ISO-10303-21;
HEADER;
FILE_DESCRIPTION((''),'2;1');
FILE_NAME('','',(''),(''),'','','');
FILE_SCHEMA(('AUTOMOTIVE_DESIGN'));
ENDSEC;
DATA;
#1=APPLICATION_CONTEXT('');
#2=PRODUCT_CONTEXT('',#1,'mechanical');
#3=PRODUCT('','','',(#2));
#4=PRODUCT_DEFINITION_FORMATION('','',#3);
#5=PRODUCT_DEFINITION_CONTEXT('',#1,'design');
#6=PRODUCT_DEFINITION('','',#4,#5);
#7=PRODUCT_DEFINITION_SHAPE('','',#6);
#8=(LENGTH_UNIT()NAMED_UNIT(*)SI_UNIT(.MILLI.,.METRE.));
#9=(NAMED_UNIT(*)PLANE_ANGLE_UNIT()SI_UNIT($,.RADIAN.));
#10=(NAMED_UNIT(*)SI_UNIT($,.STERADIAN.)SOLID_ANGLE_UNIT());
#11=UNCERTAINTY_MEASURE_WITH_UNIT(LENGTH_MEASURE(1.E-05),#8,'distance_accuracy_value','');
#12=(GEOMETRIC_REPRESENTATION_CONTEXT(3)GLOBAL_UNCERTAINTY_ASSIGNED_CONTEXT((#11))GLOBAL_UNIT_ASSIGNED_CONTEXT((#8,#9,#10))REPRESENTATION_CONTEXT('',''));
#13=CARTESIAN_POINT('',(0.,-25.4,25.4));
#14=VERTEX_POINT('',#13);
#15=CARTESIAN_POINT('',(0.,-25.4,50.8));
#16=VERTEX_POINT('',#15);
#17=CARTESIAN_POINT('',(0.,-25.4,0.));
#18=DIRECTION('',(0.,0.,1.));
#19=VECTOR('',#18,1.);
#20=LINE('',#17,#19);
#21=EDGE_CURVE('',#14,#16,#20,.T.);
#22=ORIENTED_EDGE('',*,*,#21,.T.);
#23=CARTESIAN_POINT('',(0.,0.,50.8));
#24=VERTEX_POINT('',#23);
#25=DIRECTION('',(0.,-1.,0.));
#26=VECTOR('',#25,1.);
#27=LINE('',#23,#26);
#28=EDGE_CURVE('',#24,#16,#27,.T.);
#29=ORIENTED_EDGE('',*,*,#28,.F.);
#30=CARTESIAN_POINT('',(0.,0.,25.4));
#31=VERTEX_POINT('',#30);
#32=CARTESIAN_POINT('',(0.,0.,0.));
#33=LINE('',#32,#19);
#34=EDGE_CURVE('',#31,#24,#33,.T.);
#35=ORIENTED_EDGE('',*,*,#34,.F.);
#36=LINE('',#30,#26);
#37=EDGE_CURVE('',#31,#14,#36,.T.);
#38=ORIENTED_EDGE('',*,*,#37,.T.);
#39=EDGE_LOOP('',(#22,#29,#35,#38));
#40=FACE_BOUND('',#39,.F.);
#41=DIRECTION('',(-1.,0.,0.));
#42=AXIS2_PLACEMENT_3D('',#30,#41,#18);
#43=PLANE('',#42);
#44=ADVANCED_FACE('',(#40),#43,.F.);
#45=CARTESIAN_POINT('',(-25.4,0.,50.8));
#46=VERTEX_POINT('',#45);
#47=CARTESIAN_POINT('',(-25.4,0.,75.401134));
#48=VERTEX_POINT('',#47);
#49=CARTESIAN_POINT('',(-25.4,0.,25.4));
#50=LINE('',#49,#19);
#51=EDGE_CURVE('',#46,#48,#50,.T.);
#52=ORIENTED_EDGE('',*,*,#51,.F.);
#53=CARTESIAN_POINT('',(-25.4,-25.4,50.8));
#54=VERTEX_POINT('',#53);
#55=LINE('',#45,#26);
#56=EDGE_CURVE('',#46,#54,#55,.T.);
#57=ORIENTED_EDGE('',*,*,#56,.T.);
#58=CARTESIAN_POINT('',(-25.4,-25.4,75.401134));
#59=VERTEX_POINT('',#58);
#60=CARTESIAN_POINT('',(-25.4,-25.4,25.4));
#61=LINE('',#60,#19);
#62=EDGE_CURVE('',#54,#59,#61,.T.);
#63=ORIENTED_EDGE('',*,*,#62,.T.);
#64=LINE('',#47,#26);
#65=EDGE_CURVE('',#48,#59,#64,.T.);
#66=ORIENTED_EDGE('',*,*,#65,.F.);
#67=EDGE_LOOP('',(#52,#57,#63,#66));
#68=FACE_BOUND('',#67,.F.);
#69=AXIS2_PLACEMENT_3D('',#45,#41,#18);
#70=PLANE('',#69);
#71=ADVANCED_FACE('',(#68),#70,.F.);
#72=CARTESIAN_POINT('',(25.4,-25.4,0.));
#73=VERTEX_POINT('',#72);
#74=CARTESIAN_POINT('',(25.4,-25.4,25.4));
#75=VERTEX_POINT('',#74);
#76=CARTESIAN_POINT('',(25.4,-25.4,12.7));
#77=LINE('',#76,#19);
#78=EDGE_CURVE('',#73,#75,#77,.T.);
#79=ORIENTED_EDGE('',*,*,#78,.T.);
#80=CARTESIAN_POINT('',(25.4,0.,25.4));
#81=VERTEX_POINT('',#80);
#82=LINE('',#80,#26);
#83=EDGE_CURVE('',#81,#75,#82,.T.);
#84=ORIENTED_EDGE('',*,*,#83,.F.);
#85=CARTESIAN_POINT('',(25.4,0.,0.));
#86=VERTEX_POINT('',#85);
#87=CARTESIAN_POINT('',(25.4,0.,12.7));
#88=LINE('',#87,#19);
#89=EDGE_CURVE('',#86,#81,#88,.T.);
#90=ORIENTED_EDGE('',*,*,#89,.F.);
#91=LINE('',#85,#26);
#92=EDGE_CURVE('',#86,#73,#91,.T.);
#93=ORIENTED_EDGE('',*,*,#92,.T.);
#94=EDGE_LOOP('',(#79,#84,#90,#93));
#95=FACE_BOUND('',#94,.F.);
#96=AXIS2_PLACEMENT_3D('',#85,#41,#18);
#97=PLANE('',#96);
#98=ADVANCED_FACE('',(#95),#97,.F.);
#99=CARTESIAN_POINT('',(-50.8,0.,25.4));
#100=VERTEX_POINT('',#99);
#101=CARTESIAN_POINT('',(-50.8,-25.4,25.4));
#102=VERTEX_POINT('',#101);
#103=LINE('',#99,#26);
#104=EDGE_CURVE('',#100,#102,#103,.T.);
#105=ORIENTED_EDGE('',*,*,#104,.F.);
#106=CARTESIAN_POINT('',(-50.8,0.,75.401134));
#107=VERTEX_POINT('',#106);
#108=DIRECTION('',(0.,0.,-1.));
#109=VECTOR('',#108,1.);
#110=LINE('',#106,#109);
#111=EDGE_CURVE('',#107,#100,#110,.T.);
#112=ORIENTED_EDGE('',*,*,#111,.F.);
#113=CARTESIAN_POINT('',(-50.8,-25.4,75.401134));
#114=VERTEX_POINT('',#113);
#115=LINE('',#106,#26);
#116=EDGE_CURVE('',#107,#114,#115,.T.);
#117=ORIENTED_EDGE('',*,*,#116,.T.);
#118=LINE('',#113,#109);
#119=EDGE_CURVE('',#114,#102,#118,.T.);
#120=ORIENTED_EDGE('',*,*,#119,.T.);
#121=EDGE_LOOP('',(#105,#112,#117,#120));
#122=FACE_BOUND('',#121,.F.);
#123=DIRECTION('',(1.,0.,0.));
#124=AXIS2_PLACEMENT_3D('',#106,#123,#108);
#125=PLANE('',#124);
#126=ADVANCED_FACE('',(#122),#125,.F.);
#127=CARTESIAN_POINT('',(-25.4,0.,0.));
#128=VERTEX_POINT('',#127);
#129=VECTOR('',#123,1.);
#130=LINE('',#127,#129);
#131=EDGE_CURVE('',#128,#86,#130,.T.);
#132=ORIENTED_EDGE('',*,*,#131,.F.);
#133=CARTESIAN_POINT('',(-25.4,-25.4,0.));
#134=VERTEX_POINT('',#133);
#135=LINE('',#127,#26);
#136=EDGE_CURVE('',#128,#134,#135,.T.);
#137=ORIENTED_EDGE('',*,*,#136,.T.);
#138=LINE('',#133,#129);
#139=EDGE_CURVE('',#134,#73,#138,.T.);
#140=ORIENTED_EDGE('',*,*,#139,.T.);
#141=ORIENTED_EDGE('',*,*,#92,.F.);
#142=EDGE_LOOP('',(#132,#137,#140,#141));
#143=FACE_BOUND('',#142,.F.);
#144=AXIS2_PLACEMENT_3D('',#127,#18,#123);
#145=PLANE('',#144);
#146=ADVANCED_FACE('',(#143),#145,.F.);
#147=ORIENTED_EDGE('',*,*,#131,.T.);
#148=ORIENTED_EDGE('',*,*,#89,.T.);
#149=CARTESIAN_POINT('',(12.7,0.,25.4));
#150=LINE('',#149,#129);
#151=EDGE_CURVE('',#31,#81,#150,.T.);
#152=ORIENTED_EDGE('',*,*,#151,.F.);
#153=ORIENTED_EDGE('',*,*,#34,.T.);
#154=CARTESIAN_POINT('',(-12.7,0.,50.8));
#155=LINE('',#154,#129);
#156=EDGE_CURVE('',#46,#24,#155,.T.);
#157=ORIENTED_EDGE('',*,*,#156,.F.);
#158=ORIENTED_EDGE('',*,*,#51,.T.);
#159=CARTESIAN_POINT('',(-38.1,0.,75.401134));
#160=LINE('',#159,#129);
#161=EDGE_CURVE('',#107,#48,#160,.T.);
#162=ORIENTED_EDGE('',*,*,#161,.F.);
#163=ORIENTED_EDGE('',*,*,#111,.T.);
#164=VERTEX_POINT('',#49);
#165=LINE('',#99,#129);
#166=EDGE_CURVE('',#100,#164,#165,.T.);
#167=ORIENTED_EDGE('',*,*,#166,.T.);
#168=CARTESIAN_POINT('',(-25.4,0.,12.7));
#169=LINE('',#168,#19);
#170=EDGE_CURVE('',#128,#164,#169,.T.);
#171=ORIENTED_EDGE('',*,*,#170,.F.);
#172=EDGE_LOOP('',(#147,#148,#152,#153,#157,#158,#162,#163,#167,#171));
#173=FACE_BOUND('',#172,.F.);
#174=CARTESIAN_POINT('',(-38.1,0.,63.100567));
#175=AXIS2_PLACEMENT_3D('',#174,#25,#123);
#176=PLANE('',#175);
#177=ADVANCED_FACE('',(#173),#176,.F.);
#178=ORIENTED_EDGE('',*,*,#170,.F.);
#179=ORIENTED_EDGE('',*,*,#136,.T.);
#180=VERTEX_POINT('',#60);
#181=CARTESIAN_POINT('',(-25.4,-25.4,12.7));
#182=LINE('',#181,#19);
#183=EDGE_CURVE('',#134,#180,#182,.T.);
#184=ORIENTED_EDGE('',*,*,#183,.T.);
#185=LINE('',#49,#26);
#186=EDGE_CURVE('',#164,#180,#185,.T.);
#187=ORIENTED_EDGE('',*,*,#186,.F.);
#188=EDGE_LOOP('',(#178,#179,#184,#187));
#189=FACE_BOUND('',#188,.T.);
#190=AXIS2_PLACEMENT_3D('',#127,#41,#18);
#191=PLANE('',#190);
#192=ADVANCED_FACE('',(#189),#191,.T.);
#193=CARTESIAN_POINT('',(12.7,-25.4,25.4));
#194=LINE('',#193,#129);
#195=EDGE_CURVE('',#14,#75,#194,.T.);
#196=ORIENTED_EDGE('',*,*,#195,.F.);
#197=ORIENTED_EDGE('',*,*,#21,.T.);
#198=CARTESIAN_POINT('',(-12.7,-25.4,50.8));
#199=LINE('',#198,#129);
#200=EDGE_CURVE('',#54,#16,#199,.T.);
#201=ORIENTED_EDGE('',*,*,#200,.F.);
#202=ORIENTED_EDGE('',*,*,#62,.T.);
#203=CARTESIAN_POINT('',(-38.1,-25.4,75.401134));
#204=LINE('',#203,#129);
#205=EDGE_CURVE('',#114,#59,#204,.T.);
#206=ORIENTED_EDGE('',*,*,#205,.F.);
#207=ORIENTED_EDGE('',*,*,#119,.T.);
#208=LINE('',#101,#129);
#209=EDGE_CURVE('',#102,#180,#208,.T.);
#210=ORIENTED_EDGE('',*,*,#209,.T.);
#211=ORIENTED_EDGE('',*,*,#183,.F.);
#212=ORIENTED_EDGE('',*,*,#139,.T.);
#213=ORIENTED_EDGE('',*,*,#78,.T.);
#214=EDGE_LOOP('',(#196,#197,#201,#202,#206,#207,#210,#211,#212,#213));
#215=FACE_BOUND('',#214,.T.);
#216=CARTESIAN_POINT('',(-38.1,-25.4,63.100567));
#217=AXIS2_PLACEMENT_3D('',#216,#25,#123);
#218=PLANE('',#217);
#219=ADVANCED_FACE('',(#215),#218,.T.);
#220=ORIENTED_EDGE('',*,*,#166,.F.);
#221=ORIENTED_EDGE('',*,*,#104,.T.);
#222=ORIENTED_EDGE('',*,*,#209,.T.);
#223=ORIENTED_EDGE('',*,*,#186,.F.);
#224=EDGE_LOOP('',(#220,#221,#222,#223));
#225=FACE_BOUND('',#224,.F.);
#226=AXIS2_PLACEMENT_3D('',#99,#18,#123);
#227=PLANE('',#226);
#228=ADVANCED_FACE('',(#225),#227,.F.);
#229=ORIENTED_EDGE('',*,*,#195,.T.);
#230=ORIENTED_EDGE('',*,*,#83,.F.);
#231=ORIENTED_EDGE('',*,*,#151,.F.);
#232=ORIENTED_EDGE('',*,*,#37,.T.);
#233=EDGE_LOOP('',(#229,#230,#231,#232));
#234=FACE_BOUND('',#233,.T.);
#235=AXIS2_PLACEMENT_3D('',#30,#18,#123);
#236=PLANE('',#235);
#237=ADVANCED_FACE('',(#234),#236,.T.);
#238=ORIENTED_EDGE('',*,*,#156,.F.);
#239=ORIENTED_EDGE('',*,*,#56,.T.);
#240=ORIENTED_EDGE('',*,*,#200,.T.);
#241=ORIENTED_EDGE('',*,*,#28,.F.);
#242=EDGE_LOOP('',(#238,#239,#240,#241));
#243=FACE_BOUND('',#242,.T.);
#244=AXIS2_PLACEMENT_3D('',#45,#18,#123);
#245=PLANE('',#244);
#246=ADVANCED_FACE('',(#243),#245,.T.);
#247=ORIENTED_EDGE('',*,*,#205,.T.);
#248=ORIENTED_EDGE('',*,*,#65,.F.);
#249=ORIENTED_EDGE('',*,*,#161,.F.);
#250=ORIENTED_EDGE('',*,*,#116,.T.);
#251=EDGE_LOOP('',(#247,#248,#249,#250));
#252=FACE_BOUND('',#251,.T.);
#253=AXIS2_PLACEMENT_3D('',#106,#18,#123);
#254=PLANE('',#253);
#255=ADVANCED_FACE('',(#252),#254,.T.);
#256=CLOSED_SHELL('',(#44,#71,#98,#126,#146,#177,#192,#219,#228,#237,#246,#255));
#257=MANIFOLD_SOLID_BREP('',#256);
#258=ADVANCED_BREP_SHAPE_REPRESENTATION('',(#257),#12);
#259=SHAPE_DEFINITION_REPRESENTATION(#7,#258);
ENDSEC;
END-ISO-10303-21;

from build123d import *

# Parameters (mm, degrees)
F0_W     = 25.4
F0_H     = 24.601135
F0_H_2   = 25.4
F1_DEPTH = 25.4


with BuildPart() as f1:
    # F0 (on Front) → F1 (new body)
    with BuildSketch(Plane.XZ):
        with Locations((-38.1, 63.100567)):
            Rectangle(F0_W, F0_H)
        with Locations((-38.1, 38.1)):
            Rectangle(F0_W, F0_H_2)
        with Locations((-12.7, 38.1)):
            Rectangle(F0_W, F0_H_2)
        with Locations((-12.7, 12.7)):
            Rectangle(F0_W, F0_H_2)
        with Locations((12.7, 12.7)):
            Rectangle(F0_W, F0_H_2)
    extrude(amount=F1_DEPTH)


solid = f1.part
